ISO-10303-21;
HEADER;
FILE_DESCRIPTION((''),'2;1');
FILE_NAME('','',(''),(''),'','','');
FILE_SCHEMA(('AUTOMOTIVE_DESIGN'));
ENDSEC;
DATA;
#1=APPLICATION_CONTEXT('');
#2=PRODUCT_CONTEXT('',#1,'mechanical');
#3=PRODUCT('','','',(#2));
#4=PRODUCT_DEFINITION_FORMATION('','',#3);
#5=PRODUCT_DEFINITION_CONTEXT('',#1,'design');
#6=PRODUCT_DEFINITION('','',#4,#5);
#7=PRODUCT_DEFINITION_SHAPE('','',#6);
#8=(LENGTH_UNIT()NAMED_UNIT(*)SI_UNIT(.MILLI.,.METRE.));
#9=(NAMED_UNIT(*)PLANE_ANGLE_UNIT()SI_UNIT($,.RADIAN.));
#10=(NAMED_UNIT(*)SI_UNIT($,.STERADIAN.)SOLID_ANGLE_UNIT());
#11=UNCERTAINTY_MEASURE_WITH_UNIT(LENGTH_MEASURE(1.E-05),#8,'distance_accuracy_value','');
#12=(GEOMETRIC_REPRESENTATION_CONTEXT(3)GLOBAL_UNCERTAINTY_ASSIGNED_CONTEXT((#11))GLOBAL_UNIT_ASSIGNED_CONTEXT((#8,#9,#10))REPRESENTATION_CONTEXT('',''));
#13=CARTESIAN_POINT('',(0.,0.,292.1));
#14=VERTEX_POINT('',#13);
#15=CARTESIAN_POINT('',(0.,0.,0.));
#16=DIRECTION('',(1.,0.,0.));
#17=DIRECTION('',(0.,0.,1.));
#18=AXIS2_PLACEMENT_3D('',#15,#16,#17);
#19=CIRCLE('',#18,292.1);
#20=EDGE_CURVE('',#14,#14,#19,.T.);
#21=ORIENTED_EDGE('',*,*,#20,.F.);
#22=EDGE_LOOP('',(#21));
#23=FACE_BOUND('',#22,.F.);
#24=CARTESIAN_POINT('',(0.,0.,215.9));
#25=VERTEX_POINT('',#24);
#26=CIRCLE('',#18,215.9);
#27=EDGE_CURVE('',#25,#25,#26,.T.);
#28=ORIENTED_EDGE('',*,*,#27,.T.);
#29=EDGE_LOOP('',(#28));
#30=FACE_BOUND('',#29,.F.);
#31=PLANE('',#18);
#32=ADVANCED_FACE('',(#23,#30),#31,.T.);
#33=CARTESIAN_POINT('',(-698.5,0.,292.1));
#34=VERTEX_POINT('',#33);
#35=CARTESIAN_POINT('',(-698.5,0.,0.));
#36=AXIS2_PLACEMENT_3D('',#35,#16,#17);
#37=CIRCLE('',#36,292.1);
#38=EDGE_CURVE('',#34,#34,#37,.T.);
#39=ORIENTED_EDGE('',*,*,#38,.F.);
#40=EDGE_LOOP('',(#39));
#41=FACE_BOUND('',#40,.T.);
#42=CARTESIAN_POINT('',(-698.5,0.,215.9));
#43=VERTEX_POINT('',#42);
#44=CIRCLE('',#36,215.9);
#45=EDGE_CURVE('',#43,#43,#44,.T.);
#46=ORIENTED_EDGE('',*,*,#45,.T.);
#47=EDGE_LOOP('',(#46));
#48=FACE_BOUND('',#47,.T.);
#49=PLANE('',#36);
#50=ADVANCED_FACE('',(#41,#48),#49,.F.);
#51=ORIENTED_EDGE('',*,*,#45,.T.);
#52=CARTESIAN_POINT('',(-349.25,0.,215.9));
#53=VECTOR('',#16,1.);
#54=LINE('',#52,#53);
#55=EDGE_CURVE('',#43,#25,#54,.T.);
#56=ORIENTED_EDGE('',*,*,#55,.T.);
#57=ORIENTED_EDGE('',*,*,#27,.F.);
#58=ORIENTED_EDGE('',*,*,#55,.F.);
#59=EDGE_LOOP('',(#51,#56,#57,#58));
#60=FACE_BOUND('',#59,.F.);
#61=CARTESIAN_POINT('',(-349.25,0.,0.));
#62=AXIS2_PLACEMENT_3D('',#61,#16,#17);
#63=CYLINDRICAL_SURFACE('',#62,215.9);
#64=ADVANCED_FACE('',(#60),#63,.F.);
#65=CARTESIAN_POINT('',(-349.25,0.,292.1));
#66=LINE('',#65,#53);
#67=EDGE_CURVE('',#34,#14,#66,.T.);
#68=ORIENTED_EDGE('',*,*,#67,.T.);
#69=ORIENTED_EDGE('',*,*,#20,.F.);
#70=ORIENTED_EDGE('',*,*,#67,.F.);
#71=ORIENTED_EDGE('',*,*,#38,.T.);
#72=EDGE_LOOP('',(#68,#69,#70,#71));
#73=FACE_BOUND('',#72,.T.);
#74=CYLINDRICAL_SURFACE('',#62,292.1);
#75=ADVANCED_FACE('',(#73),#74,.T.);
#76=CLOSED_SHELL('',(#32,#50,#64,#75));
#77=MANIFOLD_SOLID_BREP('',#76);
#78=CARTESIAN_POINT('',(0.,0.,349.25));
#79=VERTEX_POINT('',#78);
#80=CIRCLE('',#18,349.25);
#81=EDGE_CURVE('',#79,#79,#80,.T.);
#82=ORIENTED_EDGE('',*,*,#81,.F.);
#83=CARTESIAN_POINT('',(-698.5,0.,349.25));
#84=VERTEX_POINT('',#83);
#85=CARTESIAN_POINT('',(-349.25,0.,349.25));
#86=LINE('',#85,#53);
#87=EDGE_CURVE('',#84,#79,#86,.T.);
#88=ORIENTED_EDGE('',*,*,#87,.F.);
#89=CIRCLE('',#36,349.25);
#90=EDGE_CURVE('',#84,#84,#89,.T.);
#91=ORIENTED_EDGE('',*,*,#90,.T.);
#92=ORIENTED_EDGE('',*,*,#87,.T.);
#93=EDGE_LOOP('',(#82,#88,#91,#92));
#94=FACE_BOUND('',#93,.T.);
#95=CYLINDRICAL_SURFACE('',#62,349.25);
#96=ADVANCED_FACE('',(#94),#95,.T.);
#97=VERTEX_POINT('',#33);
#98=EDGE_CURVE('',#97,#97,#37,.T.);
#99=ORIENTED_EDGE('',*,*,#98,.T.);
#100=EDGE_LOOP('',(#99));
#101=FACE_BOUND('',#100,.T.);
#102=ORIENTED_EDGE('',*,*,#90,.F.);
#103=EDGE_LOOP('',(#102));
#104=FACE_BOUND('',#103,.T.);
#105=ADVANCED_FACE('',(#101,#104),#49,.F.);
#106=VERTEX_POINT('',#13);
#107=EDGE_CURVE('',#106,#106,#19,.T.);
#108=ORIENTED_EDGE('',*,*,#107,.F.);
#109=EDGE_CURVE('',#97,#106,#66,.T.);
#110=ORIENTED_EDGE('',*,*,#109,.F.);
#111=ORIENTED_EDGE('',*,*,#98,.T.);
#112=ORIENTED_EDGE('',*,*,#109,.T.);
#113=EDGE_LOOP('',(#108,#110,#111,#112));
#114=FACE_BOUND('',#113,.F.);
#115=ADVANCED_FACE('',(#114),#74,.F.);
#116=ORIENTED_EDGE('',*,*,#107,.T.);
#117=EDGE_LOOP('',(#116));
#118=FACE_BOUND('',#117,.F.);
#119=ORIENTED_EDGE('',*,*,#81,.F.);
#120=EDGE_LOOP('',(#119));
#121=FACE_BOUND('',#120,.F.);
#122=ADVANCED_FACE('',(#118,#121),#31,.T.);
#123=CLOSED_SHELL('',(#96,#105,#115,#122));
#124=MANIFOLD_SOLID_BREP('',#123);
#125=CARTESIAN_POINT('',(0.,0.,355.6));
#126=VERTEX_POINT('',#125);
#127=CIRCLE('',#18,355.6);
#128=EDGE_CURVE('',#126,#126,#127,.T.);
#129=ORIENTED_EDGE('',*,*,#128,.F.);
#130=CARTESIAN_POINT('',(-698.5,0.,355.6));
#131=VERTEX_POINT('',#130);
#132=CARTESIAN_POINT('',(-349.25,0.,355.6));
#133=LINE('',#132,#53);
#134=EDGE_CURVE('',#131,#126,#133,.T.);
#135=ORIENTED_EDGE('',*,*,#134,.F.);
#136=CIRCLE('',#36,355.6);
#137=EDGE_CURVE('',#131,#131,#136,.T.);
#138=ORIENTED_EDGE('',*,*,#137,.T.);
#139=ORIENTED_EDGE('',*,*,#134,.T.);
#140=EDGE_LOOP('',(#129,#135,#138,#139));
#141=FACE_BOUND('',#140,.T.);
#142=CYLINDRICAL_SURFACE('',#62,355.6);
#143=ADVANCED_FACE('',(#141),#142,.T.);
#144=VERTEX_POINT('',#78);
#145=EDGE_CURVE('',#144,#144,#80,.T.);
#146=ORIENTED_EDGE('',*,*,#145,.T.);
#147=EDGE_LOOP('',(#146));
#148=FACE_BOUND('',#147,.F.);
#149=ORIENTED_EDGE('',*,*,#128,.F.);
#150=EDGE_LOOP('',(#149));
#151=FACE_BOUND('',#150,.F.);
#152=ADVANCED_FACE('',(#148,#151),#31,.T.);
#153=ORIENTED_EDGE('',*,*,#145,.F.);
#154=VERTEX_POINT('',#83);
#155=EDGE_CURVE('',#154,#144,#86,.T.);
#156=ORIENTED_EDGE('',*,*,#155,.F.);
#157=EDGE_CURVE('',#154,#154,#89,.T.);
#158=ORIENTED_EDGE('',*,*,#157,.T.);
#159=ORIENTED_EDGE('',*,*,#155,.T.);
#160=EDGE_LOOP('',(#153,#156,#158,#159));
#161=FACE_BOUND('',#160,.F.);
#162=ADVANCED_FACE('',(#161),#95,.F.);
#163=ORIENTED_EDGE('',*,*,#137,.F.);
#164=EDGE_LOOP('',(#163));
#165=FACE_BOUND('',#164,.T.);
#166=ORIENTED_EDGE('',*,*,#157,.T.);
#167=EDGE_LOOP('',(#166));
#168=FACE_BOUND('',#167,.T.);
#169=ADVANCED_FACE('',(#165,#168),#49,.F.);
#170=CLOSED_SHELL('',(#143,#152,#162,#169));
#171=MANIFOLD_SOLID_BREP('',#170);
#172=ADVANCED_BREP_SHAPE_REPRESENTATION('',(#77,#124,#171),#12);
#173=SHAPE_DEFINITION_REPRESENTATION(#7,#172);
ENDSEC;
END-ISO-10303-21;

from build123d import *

# Parameters (mm, degrees)
F0_W   = 698.5
F0_H   = 6.35
F0_H_2 = 57.15
F0_H_3 = 76.2


with BuildPart() as f1:
    # F0 (on Front) → F1 (revolve)
    with BuildSketch(Plane.XZ):
        with Locations((-349.25, 352.425)):
            Rectangle(F0_W, F0_H)
    revolve(axis=Axis((5.301379, 0, 0), (1, 0, 0)))


with BuildPart() as f2:
    # F0 (on Front) → F2 (revolve)
    with BuildSketch(Plane.XZ):
        with Locations((-349.25, 320.675)):
            Rectangle(F0_W, F0_H_2)
    revolve(axis=Axis((5.301379, 0, 0), (1, 0, 0)))


with BuildPart() as f3:
    # F0 (on Front) → F3 (revolve)
    with BuildSketch(Plane.XZ):
        with Locations((-349.25, 254)):
            Rectangle(F0_W, F0_H_3)
    revolve(axis=Axis((5.301379, 0, 0), (1, 0, 0)))


solid = Compound([f1.part, f2.part, f3.part])
